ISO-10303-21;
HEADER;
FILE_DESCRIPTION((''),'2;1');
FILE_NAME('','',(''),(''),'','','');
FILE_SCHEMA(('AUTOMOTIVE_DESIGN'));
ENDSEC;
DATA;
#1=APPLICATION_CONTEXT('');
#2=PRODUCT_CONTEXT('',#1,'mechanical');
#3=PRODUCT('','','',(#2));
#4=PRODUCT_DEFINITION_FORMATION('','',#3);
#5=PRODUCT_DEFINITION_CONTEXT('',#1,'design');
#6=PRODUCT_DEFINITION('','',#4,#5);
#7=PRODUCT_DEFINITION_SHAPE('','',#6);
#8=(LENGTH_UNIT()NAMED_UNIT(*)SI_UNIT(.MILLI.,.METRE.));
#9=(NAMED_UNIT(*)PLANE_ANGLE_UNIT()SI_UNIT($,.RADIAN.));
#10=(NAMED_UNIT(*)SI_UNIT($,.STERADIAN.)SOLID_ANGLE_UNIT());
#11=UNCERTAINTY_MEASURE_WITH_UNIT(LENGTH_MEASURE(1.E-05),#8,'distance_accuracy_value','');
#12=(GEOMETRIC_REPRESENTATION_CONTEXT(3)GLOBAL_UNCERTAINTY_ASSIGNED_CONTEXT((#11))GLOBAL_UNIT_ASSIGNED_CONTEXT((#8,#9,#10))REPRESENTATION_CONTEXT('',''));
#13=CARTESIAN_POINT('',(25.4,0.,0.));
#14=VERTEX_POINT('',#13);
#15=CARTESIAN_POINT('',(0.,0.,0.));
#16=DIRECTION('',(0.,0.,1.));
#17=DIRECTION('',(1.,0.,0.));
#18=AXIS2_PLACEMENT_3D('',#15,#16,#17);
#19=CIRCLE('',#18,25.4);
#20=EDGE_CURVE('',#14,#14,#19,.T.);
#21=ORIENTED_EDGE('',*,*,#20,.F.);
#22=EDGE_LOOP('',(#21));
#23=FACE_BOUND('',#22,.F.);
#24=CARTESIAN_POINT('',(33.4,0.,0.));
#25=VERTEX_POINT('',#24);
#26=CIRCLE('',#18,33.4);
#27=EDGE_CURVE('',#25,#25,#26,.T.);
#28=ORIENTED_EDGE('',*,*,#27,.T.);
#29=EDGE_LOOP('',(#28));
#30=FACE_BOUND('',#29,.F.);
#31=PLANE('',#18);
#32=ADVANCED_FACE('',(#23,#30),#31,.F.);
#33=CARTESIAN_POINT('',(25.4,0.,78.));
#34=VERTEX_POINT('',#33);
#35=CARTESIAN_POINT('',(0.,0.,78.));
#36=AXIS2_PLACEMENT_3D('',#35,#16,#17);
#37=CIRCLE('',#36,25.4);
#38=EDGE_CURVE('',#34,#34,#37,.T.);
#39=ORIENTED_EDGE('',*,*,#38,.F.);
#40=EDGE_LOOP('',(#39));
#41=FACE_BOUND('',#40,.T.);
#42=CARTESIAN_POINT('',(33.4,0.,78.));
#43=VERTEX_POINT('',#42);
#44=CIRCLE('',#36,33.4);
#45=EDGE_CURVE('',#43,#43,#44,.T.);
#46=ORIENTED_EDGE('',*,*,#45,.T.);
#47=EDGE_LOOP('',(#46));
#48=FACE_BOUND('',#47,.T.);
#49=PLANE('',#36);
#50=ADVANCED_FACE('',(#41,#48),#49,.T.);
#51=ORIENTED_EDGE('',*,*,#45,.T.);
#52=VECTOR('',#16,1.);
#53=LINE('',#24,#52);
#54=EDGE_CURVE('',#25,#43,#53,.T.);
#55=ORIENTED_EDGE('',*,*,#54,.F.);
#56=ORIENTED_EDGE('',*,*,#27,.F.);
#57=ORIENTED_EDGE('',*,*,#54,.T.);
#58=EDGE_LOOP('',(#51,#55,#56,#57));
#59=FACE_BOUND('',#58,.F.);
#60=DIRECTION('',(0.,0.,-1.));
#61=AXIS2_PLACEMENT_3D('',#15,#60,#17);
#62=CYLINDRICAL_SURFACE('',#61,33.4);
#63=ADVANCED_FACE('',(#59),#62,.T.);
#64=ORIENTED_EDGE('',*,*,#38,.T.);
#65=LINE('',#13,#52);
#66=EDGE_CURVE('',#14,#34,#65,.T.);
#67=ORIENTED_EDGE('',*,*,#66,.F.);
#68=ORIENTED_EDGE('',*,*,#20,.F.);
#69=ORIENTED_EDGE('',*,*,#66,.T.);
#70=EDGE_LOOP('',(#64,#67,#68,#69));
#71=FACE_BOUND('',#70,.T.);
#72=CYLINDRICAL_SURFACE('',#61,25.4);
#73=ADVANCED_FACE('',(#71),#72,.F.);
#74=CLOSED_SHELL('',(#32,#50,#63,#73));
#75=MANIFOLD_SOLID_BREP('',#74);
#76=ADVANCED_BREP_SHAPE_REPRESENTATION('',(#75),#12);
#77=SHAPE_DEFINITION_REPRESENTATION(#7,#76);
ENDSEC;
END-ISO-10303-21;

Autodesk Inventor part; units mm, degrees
ref_plane "YZ Plane" through (0, 0, 0) normal (1, 0, 0) x (0, 1, 0)
ref_plane "XZ Plane" through (0, 0, 0) normal (0, 1, 0) x (-1, 0, 0)
ref_plane "XY Plane" through (0, 0, 0) normal (0, 0, 1) x (1, 0, 0)
sketch "Boceto1" plane through (0, 0, 0) normal (0, 0, 1) x (1, 0, 0)
  circle A0 centre (0, 0) radius 25.4
  circle A1 centre (0, 0) radius 33.4
  dimension "d0" = 50.8
  dimension "d1" = 8
extrude "Extrusión1" add sketch "Boceto1" along normal blind 78
properties part number "acople_2pulg"
